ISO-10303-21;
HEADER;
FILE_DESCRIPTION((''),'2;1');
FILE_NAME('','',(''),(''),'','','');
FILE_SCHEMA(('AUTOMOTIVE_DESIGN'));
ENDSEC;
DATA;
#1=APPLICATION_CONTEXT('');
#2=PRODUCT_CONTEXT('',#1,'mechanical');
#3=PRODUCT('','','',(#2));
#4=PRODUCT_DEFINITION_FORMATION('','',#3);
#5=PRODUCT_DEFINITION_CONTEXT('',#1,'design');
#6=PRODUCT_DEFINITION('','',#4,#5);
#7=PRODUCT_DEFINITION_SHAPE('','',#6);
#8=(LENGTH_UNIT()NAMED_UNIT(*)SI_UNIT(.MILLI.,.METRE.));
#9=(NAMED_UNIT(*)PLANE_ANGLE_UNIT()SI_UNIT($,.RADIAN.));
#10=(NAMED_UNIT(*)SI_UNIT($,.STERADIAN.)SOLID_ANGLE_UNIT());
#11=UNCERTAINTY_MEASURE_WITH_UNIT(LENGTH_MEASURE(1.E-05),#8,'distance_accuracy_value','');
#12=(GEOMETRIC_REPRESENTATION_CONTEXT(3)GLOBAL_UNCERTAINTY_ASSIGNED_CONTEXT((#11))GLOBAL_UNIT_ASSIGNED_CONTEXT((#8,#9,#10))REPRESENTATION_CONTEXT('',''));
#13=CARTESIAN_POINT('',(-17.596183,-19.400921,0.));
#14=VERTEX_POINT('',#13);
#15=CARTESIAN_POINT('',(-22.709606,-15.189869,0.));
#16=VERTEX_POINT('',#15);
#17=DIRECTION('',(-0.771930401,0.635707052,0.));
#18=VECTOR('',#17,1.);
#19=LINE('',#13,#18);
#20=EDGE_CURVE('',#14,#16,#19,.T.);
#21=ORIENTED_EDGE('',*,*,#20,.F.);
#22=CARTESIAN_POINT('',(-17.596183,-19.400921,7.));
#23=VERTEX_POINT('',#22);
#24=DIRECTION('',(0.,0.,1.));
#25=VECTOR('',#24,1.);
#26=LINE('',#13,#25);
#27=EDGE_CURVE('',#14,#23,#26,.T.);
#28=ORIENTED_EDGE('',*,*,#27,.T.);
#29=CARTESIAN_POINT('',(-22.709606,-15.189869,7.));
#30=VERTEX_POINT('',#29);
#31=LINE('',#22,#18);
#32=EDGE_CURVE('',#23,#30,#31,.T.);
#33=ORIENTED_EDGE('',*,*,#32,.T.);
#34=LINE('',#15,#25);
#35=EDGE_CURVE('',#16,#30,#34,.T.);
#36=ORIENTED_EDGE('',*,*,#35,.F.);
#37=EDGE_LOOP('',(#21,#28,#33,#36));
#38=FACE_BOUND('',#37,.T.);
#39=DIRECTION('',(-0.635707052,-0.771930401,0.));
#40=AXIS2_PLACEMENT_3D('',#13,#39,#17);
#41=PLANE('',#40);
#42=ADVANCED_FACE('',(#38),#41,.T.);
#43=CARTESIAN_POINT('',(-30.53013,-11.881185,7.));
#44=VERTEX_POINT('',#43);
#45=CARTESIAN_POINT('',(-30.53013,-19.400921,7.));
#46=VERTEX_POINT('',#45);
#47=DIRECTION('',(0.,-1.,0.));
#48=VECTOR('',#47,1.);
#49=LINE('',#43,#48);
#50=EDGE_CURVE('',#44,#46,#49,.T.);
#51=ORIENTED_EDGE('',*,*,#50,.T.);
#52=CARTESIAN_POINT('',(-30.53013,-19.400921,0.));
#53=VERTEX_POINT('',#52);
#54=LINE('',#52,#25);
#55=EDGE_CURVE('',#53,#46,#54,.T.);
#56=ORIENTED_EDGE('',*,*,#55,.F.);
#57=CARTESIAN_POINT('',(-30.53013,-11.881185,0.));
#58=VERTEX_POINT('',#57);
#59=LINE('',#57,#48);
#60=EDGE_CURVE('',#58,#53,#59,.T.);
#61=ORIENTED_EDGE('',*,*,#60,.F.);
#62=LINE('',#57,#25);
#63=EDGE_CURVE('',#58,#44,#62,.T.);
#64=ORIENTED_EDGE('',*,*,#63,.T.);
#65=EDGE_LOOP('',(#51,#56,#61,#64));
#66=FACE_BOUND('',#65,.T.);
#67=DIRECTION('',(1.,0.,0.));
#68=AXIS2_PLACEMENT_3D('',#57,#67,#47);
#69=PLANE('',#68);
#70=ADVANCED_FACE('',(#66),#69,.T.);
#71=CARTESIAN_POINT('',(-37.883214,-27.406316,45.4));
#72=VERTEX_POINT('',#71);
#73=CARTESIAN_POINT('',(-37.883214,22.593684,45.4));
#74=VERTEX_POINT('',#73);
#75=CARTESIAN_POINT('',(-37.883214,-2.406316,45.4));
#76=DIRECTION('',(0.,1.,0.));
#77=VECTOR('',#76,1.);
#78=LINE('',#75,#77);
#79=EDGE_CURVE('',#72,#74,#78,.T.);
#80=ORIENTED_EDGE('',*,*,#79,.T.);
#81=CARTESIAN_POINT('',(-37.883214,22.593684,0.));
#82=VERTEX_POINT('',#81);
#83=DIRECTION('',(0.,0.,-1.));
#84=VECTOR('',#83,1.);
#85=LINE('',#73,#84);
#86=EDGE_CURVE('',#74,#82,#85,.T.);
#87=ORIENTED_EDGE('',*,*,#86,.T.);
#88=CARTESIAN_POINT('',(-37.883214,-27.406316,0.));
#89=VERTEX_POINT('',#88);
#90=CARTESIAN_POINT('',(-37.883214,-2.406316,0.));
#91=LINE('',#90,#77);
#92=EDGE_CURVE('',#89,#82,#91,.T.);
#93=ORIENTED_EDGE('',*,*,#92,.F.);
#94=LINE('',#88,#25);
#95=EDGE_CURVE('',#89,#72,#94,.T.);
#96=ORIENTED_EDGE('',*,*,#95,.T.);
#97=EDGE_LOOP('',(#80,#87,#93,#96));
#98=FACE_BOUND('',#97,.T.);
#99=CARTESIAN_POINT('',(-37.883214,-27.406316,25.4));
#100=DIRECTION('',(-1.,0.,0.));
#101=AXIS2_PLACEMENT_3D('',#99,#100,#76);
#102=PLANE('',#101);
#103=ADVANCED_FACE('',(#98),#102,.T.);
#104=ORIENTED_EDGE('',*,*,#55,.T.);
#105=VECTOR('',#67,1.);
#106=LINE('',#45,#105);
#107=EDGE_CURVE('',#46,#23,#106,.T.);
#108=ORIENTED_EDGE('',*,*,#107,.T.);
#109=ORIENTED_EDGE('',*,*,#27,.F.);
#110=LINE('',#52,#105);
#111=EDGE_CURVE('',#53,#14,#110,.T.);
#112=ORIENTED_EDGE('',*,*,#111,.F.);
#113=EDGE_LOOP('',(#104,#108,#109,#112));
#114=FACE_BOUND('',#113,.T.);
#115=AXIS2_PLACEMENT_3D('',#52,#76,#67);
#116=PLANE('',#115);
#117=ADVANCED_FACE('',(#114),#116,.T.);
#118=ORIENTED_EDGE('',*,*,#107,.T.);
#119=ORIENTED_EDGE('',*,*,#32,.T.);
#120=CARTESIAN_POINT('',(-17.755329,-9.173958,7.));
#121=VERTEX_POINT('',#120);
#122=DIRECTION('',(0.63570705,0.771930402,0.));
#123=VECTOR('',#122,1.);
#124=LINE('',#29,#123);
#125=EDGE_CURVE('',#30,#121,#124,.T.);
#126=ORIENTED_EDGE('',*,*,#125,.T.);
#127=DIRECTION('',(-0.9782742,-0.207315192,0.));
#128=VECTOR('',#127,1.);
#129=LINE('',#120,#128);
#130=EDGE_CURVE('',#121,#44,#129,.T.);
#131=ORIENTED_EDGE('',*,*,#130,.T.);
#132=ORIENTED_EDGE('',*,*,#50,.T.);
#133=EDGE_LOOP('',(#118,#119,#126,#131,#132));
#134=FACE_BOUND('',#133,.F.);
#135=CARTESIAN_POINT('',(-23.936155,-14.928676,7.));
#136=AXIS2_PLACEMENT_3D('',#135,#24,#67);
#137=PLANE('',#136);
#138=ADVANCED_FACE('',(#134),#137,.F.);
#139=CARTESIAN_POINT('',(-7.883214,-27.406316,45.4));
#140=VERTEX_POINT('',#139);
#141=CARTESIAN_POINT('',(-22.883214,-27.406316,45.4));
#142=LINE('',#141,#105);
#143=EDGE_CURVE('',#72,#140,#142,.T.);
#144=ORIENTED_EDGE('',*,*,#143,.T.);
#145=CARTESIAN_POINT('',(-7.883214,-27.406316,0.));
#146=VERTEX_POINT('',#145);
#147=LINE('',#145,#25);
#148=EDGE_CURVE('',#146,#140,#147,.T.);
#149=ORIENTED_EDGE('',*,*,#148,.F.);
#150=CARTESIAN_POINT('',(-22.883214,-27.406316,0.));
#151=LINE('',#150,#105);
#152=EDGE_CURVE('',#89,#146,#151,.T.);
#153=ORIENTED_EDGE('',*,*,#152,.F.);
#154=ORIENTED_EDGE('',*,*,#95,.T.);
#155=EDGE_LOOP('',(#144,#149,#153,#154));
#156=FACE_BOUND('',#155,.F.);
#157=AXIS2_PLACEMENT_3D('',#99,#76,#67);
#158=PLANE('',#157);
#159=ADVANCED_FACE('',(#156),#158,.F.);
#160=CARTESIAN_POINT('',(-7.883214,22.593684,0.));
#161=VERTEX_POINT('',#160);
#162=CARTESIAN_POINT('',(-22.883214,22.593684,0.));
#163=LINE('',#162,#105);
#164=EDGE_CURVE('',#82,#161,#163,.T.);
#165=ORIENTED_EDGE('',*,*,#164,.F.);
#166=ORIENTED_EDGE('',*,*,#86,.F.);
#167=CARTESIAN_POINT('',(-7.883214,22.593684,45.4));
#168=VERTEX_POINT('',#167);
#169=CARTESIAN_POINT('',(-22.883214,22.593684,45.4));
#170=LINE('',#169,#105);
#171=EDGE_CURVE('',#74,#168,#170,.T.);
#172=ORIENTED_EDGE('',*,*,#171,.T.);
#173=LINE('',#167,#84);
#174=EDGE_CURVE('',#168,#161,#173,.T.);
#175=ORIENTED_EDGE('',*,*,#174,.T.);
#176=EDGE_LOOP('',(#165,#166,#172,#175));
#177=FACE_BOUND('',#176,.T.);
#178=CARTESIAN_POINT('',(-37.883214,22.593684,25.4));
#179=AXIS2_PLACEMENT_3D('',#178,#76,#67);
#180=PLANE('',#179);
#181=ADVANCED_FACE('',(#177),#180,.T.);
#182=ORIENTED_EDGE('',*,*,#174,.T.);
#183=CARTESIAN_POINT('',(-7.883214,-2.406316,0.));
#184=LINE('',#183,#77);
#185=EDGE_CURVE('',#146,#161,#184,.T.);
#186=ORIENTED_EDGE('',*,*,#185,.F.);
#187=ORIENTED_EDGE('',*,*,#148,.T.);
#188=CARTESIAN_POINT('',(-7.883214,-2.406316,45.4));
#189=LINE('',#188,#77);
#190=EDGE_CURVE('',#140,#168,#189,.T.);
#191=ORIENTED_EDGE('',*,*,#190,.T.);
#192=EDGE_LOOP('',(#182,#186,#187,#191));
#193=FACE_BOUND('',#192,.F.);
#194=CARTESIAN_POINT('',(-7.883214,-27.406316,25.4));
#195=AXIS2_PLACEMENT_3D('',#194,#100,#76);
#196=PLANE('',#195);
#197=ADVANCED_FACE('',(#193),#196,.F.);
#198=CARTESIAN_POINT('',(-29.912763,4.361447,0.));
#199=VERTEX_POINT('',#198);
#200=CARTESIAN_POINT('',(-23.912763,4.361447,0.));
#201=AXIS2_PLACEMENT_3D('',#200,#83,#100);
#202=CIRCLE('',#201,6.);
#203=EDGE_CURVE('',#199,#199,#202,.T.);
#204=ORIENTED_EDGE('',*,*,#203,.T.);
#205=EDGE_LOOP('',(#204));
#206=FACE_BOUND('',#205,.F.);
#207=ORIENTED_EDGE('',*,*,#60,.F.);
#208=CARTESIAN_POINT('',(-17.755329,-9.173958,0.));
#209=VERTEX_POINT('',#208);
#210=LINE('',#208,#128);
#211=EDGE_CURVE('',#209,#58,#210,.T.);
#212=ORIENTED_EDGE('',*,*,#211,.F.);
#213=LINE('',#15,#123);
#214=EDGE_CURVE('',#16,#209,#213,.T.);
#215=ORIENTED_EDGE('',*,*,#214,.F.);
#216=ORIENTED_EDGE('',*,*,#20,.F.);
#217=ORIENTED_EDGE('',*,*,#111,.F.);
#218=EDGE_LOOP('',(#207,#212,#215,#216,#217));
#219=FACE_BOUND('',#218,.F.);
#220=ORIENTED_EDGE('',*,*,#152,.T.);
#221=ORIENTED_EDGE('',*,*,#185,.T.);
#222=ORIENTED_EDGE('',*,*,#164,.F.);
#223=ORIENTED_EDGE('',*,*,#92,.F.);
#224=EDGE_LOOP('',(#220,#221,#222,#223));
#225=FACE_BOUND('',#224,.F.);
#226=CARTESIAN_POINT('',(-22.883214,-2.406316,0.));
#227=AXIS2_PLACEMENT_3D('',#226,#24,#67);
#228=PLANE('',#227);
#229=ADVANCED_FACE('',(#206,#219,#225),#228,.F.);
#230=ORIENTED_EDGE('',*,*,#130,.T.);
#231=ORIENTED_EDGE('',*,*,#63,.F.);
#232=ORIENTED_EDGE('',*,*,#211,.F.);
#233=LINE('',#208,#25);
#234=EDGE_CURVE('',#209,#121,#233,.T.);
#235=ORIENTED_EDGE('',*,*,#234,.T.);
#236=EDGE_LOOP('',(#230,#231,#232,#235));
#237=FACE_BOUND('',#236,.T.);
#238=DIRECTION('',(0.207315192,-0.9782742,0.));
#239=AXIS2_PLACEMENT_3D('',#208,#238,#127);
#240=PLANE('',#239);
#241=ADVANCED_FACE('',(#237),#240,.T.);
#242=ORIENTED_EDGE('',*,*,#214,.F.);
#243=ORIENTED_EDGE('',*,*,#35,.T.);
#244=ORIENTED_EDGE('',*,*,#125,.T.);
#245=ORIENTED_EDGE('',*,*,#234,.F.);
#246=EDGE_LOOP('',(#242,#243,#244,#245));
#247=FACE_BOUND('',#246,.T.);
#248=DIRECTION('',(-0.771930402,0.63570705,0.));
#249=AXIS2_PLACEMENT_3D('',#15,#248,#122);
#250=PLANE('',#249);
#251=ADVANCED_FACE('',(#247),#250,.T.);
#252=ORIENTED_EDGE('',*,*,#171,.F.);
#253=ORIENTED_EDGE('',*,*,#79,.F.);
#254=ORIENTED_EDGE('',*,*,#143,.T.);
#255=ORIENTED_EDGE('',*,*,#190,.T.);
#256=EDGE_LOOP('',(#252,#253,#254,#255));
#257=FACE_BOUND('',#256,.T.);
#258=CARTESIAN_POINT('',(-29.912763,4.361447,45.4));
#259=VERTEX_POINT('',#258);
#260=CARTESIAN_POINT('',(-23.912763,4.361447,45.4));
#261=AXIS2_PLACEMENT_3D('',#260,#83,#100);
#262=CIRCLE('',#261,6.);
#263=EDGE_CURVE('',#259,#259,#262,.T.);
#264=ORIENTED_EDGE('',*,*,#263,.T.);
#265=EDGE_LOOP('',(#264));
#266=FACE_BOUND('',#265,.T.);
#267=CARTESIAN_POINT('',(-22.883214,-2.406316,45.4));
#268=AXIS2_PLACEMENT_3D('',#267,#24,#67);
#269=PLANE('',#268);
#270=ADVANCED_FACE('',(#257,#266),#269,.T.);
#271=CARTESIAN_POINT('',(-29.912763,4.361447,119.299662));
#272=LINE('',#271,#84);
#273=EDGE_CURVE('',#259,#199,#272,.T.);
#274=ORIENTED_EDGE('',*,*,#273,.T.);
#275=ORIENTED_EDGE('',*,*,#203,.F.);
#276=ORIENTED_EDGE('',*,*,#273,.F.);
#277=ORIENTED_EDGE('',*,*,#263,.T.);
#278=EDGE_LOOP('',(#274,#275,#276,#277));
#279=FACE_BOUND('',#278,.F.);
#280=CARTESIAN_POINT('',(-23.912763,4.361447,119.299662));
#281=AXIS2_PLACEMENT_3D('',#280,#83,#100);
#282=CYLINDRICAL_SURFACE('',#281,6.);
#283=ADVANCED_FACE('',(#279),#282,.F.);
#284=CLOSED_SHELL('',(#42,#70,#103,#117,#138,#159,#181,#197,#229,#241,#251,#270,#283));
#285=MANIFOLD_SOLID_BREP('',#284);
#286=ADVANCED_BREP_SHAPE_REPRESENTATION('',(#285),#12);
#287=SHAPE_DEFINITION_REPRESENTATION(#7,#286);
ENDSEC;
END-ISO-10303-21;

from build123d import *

# Parameters (mm, degrees)
F0_W      = 30
F0_H      = 50
F1_DEPTH  = 25.4
F1_FACE_W = 30
F1_FACE_H = 50
F2_DEPTH  = 20
F4_D      = 12
F6_DEPTH  = 7


with BuildPart() as f1:
    # F0 (on Top) → F1 (new body)
    with BuildSketch(Plane.XY):
        with Locations((-22.883214, -2.406316)):
            Rectangle(F0_W, F0_H)
    extrude(amount=F1_DEPTH)

    # F1_face (on face) → F2 (join)
    with BuildSketch(Plane(origin=(-22.883214, -2.406316, 25.4), x_dir=(1, 0, 0), z_dir=(0, 0, 1))):
        Rectangle(F1_FACE_W, F1_FACE_H)
    extrude(amount=F2_DEPTH)

    # F4 (through all)
    with Locations(Plane.XY.offset(45.4)):
        with Locations((-23.912763, 4.361447)):
            Hole(F4_D / 2)

    # F5 (on Top) → F6 (cut)
    with BuildSketch(Plane.XY):
        Polygon((-17.755329, -9.173958), (-30.53013, -11.881185), (-30.53013, -19.400921), (-22.709606, -19.400921), (-17.596183, -19.400921), (-22.709606, -15.189869), align=None)
    extrude(amount=F6_DEPTH, mode=Mode.SUBTRACT)


solid = f1.part
